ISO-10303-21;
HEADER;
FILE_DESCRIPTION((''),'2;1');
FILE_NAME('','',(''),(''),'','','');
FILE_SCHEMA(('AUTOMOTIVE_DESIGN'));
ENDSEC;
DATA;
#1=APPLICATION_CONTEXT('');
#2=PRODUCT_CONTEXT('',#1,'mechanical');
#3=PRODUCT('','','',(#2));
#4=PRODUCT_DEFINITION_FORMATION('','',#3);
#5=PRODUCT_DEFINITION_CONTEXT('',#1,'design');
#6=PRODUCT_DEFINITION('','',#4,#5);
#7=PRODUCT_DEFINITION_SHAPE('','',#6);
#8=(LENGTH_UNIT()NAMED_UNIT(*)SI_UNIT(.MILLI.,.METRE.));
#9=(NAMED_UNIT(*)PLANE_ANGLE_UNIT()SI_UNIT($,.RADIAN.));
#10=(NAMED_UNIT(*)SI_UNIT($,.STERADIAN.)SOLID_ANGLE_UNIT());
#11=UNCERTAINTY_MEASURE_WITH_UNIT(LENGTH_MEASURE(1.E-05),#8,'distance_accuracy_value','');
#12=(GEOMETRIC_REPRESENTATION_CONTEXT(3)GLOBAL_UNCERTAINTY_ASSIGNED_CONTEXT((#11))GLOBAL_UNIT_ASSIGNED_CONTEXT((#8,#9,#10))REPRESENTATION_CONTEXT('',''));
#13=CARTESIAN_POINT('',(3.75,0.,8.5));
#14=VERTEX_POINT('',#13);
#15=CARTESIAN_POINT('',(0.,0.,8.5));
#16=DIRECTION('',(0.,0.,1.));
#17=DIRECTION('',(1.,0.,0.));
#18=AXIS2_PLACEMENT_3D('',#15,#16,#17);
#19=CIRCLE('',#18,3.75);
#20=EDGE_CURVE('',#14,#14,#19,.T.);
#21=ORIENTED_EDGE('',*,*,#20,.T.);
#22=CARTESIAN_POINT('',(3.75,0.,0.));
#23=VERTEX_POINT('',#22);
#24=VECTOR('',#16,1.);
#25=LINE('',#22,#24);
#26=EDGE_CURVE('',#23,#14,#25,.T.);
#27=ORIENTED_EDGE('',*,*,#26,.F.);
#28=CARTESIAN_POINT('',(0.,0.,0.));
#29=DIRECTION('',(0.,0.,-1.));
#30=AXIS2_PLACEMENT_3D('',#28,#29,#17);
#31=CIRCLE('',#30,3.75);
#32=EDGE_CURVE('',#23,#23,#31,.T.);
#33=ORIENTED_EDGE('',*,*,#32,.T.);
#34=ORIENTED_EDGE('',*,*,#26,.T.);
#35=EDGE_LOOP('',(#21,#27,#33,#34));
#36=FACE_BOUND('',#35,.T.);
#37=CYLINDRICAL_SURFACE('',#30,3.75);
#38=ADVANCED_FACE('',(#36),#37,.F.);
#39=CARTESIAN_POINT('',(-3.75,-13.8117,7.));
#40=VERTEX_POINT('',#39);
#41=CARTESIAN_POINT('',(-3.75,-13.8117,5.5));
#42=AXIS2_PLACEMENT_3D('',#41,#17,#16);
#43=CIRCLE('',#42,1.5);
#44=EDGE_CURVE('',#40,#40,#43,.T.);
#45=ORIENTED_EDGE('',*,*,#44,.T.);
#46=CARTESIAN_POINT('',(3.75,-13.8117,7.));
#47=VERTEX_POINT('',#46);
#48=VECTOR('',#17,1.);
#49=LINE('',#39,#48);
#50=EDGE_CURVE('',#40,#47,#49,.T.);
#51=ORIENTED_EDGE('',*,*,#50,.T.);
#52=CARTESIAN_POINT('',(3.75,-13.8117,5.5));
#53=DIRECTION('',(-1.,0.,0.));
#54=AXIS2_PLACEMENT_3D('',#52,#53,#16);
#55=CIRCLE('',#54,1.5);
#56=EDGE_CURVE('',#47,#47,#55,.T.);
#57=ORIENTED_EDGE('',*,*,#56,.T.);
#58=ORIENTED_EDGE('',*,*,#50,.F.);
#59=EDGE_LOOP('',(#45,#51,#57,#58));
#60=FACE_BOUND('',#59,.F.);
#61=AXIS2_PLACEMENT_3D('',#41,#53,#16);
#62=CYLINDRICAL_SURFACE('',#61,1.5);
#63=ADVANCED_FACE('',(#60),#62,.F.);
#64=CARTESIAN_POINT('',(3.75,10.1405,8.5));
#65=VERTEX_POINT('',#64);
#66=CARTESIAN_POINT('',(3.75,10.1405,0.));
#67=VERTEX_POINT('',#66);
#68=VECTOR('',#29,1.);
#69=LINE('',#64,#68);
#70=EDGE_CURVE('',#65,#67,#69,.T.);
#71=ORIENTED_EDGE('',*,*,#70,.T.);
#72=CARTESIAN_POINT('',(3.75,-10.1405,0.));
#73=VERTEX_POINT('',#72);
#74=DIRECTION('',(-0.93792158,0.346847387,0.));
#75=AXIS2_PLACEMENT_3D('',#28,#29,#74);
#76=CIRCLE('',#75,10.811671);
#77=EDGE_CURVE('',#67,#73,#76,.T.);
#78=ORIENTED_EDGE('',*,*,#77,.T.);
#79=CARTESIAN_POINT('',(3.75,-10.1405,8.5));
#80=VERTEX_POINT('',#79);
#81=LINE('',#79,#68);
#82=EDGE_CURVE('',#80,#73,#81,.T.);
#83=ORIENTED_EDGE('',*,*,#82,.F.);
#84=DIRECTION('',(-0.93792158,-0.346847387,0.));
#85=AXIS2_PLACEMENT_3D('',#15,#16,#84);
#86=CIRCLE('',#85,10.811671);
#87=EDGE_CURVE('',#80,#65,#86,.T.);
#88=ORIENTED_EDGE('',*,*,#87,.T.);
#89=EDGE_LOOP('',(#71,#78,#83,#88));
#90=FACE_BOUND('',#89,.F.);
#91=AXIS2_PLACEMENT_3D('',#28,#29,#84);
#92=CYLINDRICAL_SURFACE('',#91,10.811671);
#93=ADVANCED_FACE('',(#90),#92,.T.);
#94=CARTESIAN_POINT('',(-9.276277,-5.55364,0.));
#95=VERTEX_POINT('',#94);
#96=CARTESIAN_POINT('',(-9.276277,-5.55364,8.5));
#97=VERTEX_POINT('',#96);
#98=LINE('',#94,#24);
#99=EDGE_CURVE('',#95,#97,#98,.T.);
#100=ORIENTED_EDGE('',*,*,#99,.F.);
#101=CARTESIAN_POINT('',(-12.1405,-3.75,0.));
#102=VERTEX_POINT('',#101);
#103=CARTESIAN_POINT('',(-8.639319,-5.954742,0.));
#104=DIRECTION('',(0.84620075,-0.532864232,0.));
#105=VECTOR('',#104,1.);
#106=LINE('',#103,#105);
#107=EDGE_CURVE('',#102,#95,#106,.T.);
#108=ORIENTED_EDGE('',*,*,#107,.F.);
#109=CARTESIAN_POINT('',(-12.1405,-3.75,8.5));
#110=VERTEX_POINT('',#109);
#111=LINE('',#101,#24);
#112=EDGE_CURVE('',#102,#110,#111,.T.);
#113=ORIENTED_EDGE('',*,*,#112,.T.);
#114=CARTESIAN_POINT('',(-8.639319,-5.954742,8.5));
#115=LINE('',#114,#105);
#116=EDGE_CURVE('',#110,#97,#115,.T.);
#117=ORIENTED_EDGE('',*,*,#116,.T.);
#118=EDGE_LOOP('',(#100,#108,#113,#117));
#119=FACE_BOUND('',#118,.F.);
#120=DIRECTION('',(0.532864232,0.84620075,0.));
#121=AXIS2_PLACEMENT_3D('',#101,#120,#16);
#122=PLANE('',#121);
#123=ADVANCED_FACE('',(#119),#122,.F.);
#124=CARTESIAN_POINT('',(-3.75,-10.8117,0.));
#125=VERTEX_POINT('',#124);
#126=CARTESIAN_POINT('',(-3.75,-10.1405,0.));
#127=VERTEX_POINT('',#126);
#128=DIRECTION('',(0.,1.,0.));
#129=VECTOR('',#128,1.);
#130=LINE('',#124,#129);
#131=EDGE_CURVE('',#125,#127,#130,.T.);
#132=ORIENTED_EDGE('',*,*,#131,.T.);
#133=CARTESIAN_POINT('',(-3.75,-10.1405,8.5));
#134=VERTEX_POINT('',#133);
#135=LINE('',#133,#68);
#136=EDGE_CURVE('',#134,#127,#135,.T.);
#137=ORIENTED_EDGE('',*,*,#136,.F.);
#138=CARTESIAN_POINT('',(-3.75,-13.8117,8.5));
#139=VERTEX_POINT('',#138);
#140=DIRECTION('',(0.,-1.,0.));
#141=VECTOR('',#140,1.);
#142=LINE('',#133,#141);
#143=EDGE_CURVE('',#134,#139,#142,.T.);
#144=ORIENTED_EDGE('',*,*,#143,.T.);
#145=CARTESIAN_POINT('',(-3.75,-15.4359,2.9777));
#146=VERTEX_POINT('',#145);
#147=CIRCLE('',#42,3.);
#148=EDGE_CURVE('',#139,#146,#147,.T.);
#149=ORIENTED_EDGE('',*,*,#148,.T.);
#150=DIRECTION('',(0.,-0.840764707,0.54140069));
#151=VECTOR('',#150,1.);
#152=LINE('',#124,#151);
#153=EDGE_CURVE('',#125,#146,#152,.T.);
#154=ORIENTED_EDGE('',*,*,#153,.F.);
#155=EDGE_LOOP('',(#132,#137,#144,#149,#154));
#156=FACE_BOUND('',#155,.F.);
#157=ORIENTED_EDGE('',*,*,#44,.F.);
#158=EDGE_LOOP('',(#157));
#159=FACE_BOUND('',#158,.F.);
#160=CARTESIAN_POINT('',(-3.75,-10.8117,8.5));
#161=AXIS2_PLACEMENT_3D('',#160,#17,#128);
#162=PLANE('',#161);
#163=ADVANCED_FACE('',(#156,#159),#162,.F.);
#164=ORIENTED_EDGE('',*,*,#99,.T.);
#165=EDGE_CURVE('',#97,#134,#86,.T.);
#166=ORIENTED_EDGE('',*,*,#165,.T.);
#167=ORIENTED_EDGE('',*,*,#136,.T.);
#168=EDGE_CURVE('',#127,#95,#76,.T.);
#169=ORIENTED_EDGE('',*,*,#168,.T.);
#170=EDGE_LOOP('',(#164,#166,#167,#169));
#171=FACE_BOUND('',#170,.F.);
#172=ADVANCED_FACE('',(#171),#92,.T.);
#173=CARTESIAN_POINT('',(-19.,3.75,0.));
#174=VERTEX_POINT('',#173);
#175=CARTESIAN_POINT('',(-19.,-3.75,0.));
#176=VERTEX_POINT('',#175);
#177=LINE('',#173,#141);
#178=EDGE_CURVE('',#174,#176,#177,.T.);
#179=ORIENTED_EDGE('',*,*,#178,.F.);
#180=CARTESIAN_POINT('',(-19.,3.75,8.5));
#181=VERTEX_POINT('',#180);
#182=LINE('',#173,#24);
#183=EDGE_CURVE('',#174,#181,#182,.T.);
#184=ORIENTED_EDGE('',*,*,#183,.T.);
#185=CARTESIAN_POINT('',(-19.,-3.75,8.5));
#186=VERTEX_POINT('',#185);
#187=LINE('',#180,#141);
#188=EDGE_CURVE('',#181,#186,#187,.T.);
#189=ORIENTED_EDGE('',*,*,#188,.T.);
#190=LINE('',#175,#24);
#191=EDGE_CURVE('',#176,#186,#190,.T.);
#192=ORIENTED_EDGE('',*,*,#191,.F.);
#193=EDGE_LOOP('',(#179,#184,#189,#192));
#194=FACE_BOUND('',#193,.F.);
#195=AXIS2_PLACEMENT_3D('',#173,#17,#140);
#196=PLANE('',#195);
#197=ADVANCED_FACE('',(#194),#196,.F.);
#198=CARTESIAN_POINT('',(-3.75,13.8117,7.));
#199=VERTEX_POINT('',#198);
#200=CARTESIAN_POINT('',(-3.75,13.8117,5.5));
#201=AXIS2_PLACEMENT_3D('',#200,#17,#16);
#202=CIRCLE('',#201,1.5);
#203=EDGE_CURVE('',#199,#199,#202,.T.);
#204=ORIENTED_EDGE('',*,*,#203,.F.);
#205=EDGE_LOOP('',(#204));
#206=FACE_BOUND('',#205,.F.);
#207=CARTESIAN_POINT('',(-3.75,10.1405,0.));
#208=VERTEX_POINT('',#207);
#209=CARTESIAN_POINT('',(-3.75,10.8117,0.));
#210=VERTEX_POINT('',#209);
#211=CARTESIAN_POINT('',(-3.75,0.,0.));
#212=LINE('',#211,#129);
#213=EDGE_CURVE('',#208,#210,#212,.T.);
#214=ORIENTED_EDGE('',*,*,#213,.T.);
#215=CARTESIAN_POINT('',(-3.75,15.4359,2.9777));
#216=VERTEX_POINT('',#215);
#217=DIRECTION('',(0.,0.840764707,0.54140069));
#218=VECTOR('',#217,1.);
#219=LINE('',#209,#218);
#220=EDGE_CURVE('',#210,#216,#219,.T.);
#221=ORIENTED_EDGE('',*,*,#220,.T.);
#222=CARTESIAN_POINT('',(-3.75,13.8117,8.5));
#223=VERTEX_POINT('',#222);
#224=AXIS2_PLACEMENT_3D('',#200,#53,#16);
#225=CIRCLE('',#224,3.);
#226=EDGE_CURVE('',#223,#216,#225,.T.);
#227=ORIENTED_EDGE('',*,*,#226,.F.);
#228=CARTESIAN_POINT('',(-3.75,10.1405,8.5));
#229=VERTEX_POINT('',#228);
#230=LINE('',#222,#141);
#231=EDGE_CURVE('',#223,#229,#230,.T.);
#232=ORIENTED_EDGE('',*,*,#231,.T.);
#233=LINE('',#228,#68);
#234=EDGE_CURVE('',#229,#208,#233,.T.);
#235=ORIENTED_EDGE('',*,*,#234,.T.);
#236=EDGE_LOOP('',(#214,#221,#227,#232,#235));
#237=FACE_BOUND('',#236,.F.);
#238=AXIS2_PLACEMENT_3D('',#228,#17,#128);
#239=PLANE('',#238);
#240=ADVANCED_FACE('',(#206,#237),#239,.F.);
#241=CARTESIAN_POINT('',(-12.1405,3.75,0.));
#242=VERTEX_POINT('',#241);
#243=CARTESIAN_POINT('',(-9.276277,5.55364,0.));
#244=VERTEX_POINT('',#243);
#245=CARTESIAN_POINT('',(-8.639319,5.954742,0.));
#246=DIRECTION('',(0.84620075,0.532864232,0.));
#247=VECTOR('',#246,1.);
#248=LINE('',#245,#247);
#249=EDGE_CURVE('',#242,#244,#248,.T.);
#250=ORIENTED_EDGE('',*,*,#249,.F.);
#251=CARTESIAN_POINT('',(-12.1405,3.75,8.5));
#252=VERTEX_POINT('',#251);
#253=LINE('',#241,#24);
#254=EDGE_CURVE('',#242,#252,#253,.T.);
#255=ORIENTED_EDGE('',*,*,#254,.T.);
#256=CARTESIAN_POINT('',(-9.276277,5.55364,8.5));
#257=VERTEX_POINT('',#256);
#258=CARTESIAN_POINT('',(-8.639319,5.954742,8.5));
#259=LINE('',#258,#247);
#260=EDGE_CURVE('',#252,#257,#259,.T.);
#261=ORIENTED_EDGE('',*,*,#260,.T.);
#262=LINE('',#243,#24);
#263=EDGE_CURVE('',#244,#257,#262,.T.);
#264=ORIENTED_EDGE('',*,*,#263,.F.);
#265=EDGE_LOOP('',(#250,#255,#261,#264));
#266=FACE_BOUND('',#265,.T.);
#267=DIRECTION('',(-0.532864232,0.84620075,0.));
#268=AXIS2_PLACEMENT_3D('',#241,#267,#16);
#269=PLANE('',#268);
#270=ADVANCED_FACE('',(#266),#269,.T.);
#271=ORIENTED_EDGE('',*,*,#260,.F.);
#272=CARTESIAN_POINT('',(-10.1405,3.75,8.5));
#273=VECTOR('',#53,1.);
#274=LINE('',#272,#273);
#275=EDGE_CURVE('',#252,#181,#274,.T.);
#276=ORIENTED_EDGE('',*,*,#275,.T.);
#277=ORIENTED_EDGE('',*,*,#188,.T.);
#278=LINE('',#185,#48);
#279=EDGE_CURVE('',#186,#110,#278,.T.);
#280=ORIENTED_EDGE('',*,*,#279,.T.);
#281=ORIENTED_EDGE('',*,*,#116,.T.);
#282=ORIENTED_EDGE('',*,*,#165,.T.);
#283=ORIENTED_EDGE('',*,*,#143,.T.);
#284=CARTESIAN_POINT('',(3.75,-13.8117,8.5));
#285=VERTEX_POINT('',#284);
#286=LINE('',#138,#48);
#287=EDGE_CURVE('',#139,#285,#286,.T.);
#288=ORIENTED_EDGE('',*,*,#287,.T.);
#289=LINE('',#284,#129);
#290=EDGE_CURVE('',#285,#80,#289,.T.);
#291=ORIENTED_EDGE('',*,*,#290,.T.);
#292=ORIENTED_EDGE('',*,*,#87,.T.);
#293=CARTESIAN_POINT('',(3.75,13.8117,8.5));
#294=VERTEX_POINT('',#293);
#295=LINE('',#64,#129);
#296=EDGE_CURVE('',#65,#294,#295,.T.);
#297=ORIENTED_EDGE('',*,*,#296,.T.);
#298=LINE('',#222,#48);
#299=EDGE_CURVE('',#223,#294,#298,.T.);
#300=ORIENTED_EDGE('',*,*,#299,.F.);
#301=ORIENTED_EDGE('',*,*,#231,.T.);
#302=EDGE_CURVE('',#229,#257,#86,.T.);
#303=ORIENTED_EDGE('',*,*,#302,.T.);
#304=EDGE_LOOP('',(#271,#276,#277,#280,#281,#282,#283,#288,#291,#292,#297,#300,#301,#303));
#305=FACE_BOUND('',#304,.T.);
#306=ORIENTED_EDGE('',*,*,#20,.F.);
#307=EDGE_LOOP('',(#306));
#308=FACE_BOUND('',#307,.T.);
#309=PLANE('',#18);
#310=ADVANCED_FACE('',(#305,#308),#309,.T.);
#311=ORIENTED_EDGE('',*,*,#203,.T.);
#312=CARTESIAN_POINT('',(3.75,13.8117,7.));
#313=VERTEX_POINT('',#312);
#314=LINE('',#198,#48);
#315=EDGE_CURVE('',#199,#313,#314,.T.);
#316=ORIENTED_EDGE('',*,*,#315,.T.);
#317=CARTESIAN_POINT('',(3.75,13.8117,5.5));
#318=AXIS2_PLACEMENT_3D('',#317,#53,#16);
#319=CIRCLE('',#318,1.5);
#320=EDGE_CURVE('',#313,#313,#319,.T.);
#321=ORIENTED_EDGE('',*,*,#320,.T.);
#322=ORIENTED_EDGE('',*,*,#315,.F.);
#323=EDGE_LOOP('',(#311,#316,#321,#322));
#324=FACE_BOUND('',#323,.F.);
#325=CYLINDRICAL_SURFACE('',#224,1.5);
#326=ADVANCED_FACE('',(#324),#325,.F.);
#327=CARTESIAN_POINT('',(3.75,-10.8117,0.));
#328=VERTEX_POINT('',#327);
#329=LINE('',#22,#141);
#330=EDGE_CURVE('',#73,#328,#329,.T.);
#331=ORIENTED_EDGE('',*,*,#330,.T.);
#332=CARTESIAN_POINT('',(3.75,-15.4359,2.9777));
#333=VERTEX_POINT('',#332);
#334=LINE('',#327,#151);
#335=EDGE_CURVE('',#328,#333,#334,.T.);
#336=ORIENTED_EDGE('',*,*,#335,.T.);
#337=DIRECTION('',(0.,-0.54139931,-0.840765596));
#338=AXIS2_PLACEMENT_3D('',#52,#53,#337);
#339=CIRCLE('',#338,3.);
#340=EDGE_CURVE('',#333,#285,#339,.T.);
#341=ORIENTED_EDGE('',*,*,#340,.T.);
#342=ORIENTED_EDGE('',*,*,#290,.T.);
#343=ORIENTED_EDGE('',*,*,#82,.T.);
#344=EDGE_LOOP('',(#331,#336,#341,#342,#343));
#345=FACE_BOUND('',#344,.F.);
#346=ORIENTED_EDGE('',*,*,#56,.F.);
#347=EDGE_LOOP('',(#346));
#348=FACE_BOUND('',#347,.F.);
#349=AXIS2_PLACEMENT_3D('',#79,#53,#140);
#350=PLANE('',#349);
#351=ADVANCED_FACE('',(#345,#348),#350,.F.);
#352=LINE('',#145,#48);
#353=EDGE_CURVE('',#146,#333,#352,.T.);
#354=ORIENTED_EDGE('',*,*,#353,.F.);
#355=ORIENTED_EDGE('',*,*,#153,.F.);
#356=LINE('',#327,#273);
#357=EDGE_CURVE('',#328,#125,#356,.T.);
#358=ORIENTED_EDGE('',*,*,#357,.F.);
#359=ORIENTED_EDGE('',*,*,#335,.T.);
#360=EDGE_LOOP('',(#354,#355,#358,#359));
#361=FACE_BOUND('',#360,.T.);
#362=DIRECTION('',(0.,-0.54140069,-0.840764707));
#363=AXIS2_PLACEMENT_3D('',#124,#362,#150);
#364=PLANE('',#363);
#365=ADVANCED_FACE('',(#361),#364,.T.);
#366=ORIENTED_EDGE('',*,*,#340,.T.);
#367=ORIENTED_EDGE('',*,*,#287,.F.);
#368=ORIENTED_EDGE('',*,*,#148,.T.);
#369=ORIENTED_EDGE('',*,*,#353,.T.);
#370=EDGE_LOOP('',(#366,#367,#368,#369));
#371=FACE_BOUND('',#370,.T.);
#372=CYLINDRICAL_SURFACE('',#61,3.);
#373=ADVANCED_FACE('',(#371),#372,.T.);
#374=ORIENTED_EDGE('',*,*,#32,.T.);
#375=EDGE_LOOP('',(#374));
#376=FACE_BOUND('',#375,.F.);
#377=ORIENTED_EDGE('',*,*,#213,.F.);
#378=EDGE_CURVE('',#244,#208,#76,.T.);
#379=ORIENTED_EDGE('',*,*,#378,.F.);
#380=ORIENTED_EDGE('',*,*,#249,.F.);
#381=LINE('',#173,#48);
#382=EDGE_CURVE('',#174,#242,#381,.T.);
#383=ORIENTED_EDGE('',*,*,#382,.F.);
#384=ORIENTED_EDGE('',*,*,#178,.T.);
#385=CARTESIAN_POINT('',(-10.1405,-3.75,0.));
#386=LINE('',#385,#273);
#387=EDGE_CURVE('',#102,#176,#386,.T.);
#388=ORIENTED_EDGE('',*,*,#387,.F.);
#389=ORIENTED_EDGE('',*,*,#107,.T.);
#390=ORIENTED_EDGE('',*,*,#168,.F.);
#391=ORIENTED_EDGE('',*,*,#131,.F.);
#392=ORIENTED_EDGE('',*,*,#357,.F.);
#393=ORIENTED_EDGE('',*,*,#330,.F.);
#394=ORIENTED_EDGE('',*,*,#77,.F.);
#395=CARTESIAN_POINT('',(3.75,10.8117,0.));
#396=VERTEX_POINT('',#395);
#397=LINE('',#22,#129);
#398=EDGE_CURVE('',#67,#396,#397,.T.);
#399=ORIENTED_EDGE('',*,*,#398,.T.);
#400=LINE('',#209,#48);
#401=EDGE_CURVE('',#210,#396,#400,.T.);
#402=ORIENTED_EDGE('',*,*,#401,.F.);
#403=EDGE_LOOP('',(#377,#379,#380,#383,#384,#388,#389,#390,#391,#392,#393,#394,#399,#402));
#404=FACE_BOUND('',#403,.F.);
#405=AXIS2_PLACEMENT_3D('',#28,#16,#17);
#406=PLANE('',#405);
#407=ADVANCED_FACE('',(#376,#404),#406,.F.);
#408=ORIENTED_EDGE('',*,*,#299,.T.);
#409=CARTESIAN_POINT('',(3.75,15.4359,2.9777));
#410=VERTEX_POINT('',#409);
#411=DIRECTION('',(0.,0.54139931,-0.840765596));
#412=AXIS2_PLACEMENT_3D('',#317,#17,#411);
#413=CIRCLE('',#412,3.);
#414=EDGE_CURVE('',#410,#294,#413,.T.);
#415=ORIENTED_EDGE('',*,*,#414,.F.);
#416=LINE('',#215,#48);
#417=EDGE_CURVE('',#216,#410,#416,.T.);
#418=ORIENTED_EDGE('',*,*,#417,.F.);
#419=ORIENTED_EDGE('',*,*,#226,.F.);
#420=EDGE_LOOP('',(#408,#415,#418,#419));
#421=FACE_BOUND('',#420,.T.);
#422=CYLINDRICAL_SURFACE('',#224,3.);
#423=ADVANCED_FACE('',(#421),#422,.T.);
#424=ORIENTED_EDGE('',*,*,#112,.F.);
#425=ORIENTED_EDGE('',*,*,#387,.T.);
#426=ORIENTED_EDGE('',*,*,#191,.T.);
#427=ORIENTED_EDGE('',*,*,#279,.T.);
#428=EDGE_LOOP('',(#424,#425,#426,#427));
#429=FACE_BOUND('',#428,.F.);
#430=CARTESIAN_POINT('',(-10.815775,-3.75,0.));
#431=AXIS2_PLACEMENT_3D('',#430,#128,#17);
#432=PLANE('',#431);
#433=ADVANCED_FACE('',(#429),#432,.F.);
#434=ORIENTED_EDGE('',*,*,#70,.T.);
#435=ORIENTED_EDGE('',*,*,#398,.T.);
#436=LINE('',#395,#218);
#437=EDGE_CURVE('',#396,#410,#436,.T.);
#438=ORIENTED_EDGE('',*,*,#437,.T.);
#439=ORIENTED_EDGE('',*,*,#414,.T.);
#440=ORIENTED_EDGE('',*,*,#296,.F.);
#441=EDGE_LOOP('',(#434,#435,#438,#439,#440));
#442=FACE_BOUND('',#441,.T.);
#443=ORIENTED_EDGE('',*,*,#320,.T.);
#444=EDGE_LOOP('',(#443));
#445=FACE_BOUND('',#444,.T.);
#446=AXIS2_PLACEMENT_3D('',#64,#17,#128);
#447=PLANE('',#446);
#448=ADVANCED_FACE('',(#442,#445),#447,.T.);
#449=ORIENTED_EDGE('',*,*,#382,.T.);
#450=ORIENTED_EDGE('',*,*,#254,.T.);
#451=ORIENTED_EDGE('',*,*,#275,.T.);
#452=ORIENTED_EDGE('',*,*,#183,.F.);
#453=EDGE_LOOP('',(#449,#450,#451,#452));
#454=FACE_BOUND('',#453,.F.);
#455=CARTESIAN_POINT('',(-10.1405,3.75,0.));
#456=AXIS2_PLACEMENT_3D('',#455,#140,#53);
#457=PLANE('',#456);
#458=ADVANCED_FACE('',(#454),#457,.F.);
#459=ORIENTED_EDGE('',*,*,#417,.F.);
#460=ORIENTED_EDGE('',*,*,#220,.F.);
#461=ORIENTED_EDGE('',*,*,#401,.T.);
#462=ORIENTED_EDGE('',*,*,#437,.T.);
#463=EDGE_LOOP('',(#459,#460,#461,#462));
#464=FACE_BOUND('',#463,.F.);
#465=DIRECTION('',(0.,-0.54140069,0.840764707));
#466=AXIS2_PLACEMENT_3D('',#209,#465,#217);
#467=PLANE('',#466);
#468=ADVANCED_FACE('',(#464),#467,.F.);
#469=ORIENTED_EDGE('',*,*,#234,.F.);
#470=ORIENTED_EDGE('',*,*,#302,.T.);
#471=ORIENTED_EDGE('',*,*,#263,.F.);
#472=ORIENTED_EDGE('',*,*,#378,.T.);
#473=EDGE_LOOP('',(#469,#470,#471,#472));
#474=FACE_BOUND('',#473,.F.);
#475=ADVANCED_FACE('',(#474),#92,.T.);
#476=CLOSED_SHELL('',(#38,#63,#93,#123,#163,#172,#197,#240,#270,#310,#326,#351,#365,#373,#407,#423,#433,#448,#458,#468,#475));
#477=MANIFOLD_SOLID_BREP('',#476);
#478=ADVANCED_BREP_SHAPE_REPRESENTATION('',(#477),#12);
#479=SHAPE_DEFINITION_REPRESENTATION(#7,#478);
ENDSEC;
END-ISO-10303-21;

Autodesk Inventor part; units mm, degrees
ref_plane "YZ Plane" through (0, 0, 0) normal (1, 0, 0) x (0, 1, 0)
ref_plane "XZ Plane" through (0, 0, 0) normal (0, 1, 0) x (-1, 0, 0)
ref_plane "XY Plane" through (0, 0, 0) normal (0, 0, 1) x (1, 0, 0)
sketch "Sketch1" plane through (0, 0, 0) normal (0, 0, 1) x (1, 0, 0)
  circle A0 centre (0, 0) radius 3.75 projected
  line L0 (10.8, -10.8193) -> (10.8234, 10.804) projected
  line L1 (-10.8, 10.8274) -> (-10.8234, -10.7959) projected
  arc A1 (-10.1405, -3.75) -> (-10.1405, 3.75) centre (0, 0) ccw
  line L2 (0, 3.75) -> (-19, 3.75)
  line L3 (0, 3.75) -> (19, 3.75) construction
  line L4 (-19, 3.75) -> (-19, -3.75)
  line L5 (-19, -3.75) -> (0, -3.75)
  point P0 (0, 0)
  dimension "d0" = 19
  dimension "d1" = 180
extrude "Extrusion1" add sketch "Sketch1" along normal blind 8.5 contours A0 L2 A1 L5 | A0 L5 L1 L2 | L1 L5 L4 L2
sketch "Sketch2" plane through (0, 0, 8.5) normal (0, 0, 1) x (1, 0, 0)
  arc A0 (-10.1405, -3.75) -> (-10.1405, 3.75) centre (0, 0) ccw projected
  circle A1 centre (0, 0) radius 3.75 projected
  circle A2 centre (0, 0) radius 3.75 projected
  line L0 (3.75, 0) -> (3.75, 10.8117)
  line L1 (0, 10.8117) -> (3.75, 10.8117)
  line L2 (-3.75, 0) -> (-3.75, 10.8117)
  line L3 (-3.75, 10.8117) -> (3.75, 10.8117)
  line L4 (0, -10.8117) -> (-3.75, -10.8117)
  line L5 (-3.75, -10.8117) -> (-3.75, 0)
  line L6 (3.75, 0) -> (3.75, -10.8117)
  line L7 (3.75, -10.8117) -> (-3.75, -10.8117)
  point P0 (0, 0)
  point P1 (-3.75, 10.1405)
  point P2 (3.75, 10.1405)
  point P3 (3.75, -10.1405)
  point P4 (-3.75, -10.1405)
extrude "Extrusion2" add sketch "Sketch2" against normal up to surface (8.5 mm away) contours A0 L4 L5 | A0 L6 L7 | L2 L3 A0 | A0 L1 L0
sketch "Sketch3" plane through (-3.75, -10.8117, 8.5) normal (-1, 0, 0) x (0, 0, 1)
  line L0 (0, 0) -> (-8.5, 0) projected
  line L1 (0, 21.6234) -> (-8.5, 21.6234) projected
  line L2 (0, 0) -> (0, 0.6712) projected
  line L3 (0, 0) -> (-6, 0)
  line L4 (0, 0) -> (-8.5, 0) projected
  line L5 (0, 0) -> (-3, 0)
  line L6 (-3, 0) -> (-3, -6)
  line L7 (-3, 0) -> (3, 0) construction
  circle A0 centre (-3, -3) radius 1.5
  line L8 (0, 21.6234) -> (-3, 21.6234)
  line L9 (-3, 21.6234) -> (-3, 27.6234)
  circle A1 centre (-3, 24.6234) radius 1.5
  circle A2 centre (-3, 24.6234) radius 3
  circle A3 centre (-3, -3) radius 3
  line L10 (0, 0) -> (0, -3)
  line L11 (-8.5, 0) -> (-5.5223, -4.6242)
  line L12 (0, 21.6234) -> (0, 24.6234)
  line L13 (0, 21.6234) -> (-8.5, 21.6234) projected
  line L14 (-8.5, 21.6234) -> (-5.5223, 26.2476)
  point P0 (-8.5, 10.8117)
  dimension "d6" = 6
  dimension "d7" = 3
  dimension "d8" = 6
  dimension "d9" = 90
  dimension "d10" = 3
  dimension "d11" = 3
  dimension "d12" = 6
  dimension "d13" = 3
extrude "Extrusion3" add sketch "Sketch3" against normal up to surface (7.5 mm away) contours L10 A3 L0 | A3 L11 L0 | A3 L6 A0 | L6 A0 A3 | L1 A2 L12 | A2 L9 A1 | L1 L14 A2 | L9 A1 A2
chamfer "Chamfer1" distance 2 angle 45 2 edges at (-10.1405, -3.75, 4.25) (-10.1405, 3.75, 4.25)
properties part number "NewCameraHolder_3DPrint"
